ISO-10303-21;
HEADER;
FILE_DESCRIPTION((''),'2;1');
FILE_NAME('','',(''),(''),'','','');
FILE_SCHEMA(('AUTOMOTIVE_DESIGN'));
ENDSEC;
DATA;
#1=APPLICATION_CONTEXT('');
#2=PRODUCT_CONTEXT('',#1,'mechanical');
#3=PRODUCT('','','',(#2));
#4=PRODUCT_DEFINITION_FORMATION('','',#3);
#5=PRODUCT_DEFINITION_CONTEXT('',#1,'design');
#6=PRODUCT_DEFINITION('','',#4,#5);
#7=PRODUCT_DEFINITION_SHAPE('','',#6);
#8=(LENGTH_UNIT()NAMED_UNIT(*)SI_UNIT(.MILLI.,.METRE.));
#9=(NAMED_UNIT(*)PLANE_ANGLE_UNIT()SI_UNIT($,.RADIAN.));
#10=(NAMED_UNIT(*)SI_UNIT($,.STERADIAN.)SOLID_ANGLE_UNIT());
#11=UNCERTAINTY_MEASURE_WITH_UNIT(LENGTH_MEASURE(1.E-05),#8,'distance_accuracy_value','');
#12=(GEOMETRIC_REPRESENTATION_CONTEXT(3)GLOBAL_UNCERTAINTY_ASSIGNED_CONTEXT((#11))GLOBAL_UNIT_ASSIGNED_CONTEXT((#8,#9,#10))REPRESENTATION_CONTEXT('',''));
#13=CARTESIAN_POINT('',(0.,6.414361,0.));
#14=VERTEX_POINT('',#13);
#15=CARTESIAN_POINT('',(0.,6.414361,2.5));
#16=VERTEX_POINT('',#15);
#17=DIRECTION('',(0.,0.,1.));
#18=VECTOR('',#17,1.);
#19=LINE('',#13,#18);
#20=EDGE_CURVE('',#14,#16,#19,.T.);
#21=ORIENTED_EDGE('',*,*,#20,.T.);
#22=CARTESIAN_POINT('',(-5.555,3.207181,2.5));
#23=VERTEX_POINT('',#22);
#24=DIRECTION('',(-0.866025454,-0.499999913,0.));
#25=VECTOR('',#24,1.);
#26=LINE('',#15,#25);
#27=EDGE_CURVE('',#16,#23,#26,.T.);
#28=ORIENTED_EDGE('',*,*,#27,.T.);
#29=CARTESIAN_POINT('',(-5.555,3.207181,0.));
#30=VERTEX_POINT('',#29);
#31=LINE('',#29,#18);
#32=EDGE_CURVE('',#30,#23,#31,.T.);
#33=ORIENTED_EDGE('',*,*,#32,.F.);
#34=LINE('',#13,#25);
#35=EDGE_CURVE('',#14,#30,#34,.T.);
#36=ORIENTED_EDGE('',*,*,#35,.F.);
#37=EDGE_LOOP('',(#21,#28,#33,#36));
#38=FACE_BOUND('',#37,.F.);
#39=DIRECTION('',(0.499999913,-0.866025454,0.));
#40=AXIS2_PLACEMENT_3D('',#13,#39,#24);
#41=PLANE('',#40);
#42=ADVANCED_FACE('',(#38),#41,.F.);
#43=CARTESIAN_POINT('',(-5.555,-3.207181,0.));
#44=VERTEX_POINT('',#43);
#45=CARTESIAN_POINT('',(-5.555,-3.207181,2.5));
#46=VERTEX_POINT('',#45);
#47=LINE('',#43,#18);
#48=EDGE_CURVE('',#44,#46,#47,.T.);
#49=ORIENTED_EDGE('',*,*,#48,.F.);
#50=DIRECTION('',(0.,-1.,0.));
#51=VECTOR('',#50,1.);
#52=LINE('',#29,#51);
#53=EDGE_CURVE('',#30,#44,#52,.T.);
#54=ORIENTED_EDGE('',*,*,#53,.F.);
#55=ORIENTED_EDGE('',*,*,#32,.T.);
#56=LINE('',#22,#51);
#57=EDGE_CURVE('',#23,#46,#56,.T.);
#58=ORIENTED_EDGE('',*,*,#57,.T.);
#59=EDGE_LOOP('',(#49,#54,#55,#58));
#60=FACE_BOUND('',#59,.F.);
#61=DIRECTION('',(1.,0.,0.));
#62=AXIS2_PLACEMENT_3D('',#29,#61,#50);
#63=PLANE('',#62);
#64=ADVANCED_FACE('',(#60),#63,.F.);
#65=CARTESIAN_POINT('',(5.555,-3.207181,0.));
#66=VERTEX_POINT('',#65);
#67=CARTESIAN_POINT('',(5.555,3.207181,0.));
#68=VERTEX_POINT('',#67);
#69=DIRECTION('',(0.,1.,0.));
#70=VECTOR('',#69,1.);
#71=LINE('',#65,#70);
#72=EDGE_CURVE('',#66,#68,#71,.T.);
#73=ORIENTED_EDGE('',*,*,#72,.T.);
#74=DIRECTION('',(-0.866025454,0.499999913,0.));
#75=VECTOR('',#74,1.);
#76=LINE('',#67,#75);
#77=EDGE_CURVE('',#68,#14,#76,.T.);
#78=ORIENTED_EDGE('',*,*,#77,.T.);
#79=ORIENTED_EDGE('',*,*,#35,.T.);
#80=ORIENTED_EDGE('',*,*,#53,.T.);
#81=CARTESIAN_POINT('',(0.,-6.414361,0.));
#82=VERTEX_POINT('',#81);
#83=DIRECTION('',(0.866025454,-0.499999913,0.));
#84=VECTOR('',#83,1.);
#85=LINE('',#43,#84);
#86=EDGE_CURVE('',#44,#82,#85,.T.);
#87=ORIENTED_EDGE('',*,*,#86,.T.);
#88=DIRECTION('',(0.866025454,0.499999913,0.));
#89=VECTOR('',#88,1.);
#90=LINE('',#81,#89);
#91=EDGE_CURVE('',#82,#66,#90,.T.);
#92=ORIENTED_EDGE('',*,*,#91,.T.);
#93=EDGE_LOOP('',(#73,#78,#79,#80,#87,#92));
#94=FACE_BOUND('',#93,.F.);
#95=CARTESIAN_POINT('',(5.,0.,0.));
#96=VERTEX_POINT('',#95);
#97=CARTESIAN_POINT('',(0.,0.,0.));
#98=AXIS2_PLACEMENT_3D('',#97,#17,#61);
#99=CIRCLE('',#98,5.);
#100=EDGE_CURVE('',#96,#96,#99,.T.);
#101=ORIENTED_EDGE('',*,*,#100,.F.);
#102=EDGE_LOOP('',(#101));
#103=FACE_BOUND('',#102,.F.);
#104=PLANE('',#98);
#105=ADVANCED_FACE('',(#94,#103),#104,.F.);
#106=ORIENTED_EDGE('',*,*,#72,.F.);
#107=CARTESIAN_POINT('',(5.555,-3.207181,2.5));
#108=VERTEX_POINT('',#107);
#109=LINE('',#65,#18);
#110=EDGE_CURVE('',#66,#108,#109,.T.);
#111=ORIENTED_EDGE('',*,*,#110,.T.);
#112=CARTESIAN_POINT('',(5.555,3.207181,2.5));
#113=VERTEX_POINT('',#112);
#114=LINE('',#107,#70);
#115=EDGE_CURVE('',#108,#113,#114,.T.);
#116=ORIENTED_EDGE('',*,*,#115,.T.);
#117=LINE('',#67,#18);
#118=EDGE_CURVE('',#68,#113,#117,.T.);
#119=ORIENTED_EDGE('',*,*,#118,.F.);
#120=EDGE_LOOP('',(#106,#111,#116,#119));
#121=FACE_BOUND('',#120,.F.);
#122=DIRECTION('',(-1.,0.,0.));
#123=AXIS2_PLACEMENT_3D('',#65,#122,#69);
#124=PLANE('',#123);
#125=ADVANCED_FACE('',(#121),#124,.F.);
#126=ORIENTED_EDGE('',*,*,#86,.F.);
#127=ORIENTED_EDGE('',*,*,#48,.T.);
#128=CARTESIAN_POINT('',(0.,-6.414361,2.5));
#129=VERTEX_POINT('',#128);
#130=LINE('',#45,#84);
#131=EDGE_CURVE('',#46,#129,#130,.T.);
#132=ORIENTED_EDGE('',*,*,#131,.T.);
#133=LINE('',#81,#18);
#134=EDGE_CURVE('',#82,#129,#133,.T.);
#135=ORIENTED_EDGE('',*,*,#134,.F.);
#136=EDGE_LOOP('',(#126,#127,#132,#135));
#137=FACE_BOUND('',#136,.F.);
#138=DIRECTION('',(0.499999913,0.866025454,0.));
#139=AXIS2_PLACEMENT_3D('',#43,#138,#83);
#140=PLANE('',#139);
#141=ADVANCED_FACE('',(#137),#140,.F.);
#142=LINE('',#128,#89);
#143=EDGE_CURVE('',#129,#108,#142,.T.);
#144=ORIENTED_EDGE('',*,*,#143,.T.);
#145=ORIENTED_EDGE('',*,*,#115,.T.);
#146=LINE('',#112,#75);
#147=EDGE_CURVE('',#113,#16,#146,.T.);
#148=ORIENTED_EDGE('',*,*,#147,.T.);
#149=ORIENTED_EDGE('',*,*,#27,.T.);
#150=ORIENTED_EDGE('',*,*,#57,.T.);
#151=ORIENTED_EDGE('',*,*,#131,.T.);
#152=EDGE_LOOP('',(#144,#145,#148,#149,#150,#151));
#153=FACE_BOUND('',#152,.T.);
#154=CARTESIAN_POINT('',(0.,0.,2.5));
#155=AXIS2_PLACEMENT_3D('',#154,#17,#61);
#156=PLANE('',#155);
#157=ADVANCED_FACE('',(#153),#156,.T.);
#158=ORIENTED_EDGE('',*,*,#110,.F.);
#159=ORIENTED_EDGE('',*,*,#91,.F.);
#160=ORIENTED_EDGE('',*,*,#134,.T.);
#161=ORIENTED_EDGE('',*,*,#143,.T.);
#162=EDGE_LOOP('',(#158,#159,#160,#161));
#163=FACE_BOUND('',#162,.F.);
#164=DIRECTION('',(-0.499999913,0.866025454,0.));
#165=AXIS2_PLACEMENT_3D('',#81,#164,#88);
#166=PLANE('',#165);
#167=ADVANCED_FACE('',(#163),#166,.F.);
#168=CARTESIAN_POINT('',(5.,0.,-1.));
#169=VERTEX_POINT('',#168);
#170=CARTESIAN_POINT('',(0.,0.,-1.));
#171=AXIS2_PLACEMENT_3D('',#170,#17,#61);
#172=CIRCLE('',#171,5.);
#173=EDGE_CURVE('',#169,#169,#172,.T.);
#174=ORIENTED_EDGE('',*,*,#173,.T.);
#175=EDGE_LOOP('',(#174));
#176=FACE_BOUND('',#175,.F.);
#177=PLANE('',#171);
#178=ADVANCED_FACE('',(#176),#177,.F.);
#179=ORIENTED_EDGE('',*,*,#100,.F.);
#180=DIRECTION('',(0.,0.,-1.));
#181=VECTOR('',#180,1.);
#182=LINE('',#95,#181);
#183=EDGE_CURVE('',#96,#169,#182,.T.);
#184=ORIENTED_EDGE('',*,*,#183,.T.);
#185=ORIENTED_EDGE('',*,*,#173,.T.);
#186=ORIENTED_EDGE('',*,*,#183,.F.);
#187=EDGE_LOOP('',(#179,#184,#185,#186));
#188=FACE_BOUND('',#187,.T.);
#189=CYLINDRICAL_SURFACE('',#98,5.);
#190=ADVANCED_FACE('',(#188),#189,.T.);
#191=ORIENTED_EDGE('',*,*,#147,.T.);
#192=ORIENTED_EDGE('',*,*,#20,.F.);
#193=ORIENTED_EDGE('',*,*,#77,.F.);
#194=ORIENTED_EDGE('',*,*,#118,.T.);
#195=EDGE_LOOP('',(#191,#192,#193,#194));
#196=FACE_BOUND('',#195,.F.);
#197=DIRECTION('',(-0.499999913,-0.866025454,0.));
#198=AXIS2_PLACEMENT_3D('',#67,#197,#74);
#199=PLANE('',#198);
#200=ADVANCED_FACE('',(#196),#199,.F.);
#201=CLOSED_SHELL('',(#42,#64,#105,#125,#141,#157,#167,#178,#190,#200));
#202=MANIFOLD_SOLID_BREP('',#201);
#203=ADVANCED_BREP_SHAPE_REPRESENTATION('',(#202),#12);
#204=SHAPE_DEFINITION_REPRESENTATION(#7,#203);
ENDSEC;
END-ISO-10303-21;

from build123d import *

# Parameters (mm, degrees)
F0_R     = 5
F1_DEPTH = 2.5
F2_DEPTH = 1


with BuildPart() as f1:
    # F0 (on Top) → F1 (new body)
    with BuildSketch(Plane.XY):
        Polygon((5.555, -3.207181), (5.555, 3.207181), (0, 6.414361), (-5.555, 3.207181), (-5.555, -3.207181), (0, -6.414361), align=None)
        Circle(F0_R, mode=Mode.SUBTRACT)
        Circle(F0_R)
    extrude(amount=F1_DEPTH)

    # F0 (on Top) → F2 (join)
    with BuildSketch(Plane.XY):
        Circle(F0_R)
    extrude(amount=-F2_DEPTH)


solid = f1.part
